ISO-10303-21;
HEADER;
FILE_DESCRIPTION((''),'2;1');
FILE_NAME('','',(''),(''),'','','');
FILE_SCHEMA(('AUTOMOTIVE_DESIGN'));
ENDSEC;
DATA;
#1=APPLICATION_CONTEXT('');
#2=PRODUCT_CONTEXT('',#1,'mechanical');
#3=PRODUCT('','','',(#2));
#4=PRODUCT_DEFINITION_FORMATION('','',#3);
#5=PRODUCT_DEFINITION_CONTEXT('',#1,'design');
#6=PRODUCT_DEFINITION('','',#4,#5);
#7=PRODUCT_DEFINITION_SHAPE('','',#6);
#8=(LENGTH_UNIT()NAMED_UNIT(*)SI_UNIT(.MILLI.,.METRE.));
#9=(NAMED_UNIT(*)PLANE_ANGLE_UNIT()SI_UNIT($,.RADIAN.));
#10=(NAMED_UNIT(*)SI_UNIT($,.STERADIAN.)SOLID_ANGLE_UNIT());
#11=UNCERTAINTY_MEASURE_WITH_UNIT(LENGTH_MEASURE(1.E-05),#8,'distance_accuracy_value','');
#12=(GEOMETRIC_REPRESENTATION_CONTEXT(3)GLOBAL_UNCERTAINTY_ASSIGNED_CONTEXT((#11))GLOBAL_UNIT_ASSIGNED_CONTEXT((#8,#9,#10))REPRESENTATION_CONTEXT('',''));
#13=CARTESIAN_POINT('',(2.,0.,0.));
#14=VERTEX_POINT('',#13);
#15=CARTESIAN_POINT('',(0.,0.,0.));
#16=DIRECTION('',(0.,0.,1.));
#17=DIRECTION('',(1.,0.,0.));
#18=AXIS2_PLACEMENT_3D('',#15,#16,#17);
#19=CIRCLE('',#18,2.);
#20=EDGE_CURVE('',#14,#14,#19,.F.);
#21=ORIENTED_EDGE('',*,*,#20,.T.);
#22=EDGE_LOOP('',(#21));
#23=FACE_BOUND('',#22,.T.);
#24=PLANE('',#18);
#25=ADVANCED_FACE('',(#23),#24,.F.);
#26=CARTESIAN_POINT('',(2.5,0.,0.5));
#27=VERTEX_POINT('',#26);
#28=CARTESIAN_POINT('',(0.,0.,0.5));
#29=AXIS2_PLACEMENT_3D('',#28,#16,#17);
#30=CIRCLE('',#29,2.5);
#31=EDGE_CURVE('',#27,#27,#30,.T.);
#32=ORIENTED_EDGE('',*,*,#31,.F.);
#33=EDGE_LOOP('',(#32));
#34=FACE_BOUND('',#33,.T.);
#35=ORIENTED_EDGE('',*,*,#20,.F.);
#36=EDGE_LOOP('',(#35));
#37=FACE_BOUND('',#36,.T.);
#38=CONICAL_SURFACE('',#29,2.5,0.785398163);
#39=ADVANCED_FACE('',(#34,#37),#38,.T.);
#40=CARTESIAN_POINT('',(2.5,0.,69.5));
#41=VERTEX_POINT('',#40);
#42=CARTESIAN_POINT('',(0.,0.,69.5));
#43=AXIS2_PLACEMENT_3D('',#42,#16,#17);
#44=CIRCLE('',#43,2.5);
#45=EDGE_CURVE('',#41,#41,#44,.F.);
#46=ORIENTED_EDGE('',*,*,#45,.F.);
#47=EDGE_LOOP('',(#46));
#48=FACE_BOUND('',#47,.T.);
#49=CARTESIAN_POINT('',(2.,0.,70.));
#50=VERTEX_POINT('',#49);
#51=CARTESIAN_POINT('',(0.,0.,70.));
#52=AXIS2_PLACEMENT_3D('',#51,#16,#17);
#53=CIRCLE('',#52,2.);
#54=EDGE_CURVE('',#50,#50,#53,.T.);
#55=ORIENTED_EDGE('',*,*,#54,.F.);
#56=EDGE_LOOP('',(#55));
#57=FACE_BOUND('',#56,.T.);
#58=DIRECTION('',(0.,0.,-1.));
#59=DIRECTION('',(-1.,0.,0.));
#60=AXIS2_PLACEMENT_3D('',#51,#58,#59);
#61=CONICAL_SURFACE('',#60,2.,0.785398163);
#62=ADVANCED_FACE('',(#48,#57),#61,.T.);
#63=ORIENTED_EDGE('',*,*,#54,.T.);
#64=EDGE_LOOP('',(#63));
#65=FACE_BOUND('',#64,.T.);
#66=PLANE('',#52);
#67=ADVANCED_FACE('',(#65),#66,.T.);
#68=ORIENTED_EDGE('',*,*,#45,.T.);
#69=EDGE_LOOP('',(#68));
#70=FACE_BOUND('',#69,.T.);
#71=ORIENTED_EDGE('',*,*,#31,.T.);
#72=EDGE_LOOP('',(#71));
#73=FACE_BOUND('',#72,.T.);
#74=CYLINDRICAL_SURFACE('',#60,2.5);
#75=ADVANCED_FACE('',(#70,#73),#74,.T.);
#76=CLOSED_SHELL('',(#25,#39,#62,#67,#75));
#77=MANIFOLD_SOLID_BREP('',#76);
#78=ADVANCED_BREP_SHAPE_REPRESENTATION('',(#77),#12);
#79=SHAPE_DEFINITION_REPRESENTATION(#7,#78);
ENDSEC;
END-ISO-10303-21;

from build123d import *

# Parameters (mm, degrees)
SKETCH_1_R      = 2.5
EXTRUDE_1_DEPTH = 70
CHAMFER_1_SIZE  = 0.5


with BuildPart() as part:
    # 草图1 → 凸台-拉伸1 (new body)
    with BuildSketch(Plane.XY):
        Circle(SKETCH_1_R)
    extrude(amount=EXTRUDE_1_DEPTH)

    # 倒角1
    chamfer_1_edges = [part.edges().sort_by_distance(p)[0] for p in [
        (-2.5, 0, 0),
        (-2.5, 0, 70),
    ]]
    chamfer(chamfer_1_edges, length=CHAMFER_1_SIZE)


solid = part.part
